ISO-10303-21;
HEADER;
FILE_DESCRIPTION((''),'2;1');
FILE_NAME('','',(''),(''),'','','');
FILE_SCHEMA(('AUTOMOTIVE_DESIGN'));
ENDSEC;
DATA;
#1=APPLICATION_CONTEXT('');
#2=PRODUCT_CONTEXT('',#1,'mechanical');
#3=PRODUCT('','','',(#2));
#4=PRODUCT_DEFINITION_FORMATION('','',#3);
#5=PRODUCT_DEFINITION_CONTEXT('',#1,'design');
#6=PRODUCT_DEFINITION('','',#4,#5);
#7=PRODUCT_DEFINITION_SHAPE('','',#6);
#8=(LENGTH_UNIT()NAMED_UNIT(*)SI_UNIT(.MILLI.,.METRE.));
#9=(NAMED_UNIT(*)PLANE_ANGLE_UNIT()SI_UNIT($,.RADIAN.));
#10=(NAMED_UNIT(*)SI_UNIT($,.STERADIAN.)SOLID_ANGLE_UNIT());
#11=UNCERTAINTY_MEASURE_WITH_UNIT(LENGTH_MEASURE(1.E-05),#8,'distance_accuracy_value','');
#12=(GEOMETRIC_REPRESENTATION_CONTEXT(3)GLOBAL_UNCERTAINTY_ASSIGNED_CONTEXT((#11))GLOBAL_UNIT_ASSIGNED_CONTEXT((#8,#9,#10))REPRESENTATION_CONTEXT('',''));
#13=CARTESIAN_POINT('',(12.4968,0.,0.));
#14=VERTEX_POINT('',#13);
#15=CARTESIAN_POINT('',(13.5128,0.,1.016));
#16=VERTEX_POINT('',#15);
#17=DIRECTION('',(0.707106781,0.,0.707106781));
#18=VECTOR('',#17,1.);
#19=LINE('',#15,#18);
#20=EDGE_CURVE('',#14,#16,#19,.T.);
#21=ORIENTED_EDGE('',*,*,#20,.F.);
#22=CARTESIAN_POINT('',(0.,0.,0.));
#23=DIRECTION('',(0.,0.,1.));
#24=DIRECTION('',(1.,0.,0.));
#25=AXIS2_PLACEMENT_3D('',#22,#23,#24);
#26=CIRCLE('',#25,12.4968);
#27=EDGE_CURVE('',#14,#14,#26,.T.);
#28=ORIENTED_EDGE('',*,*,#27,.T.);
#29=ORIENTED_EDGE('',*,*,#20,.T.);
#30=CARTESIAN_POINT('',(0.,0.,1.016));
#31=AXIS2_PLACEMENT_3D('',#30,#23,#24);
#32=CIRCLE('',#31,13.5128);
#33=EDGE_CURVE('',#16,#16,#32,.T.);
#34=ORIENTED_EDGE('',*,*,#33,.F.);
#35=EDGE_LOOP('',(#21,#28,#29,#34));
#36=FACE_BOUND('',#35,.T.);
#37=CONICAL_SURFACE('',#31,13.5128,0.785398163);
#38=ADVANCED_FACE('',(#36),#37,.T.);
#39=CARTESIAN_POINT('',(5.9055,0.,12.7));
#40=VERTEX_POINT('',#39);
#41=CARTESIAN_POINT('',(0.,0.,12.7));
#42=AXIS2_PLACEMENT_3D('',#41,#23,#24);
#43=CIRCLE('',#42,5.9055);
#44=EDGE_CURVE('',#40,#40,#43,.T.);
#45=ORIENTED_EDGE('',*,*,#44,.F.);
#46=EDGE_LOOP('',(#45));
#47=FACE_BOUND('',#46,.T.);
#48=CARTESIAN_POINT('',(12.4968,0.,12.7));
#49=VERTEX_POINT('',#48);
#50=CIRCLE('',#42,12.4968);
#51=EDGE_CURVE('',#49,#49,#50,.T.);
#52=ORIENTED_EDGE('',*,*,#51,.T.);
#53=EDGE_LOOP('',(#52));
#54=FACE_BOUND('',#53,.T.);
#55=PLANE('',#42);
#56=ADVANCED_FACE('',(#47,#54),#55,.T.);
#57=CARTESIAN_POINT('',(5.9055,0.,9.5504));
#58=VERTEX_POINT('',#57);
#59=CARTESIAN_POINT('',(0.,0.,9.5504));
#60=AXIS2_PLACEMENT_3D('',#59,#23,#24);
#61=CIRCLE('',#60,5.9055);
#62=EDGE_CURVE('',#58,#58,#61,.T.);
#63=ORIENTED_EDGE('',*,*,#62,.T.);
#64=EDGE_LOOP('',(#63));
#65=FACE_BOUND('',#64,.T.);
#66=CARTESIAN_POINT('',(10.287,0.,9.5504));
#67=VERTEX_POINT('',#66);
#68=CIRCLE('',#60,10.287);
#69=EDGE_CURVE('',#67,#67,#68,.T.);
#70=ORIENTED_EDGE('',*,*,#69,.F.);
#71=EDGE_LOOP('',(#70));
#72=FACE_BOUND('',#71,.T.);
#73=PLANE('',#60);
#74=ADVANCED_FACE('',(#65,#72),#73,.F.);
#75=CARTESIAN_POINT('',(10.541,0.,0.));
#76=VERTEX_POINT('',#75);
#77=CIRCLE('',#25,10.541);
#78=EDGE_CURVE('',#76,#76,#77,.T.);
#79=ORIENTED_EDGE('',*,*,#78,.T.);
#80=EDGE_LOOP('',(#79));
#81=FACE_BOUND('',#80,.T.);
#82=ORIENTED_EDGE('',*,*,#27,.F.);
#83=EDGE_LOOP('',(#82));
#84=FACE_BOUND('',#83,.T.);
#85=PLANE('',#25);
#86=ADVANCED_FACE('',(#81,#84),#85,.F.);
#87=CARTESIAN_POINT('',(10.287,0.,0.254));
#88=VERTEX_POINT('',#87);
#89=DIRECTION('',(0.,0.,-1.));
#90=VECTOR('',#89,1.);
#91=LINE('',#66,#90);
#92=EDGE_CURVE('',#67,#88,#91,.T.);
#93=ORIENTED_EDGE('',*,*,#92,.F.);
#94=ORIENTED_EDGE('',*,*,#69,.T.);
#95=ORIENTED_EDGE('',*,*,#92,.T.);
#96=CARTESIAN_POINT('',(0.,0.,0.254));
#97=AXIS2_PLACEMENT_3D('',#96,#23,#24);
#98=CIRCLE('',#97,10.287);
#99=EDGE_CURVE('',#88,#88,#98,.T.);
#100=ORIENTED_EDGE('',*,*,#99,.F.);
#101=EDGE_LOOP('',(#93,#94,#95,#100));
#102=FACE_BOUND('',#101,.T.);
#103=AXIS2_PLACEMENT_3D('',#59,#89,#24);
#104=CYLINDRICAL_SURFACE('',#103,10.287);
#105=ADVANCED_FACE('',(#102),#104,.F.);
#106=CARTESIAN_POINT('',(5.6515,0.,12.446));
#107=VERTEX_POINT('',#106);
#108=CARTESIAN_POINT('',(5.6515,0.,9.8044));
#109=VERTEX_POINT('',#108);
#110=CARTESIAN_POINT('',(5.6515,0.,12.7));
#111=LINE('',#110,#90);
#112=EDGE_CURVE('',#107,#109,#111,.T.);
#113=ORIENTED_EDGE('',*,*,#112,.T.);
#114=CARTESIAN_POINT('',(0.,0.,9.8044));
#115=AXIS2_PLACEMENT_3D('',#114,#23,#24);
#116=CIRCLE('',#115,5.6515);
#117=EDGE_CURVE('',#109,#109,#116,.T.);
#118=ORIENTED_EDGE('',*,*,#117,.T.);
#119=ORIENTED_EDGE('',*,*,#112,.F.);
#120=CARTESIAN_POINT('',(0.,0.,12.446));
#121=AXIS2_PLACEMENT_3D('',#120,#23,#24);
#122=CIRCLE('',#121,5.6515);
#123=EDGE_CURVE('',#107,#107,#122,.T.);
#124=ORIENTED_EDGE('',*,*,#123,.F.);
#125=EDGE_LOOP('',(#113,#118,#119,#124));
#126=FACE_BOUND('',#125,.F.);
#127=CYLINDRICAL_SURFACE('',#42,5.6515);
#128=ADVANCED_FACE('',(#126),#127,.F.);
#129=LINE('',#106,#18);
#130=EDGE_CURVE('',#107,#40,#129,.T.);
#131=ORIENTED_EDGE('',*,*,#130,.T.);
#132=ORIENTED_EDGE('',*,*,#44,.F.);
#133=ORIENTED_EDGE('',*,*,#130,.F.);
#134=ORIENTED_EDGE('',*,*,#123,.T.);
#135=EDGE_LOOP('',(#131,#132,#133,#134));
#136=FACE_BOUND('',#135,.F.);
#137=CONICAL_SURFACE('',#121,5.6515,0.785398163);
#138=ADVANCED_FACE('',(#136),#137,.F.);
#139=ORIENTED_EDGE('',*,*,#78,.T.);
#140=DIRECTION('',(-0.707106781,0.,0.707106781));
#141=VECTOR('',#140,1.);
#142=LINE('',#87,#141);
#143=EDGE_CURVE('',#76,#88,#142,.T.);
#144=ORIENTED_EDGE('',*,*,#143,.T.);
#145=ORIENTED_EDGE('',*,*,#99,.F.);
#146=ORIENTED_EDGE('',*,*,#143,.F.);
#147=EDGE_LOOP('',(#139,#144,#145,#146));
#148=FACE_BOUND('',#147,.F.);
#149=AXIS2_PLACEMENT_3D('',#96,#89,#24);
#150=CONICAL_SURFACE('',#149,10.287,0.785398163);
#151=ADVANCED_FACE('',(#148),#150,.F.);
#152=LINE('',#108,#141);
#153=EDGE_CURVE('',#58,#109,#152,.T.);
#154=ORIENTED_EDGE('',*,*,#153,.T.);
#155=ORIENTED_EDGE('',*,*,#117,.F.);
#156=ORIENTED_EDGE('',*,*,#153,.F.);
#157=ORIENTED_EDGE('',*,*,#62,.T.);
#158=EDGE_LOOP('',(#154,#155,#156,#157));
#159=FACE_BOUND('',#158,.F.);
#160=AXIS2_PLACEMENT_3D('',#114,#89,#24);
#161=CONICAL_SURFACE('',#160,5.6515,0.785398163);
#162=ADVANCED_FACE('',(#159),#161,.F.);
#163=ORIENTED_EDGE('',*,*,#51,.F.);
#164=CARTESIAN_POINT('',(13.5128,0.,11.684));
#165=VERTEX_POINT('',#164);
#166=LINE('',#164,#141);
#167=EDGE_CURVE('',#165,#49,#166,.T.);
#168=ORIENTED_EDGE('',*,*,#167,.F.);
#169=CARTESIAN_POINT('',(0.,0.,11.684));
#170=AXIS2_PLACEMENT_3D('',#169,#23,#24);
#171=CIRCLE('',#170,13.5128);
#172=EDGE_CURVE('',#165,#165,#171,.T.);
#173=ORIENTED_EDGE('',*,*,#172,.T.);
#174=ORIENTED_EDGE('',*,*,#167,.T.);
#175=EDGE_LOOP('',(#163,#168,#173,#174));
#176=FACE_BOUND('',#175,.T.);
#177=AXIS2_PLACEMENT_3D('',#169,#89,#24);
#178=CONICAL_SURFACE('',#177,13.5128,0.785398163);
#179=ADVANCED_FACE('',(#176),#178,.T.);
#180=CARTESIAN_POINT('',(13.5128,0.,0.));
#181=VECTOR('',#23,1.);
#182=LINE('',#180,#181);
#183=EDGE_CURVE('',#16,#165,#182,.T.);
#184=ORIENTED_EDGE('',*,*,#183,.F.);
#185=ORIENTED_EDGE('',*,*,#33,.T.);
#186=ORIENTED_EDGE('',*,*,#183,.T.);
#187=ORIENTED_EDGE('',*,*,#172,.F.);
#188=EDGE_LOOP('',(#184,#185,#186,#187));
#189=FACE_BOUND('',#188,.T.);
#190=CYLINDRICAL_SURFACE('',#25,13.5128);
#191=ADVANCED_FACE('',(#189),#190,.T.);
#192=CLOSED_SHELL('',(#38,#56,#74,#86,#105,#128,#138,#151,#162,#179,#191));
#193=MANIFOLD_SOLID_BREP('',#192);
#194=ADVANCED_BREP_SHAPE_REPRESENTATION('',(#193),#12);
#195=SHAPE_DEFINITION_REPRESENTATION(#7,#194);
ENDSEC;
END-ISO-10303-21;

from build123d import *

# Parameters (mm, degrees)
F2_SIZE  = 1.016
F3_R     = 5.6515
F4_DEPTH = 25.4
F5_SIZE  = 0.254


with BuildPart() as f1:
    # F0 (on Front) → F1 (revolve)
    with BuildSketch(Plane.XZ):
        Polygon((10.287, 9.5504), (10.287, 0), (13.5128, 0), (13.5128, 12.7), (0, 12.7), (0, 9.5504), align=None)
    revolve(axis=Axis((0, 0, 6.35), (0, 0, 1)))

    # F2
    f2_edges = [f1.edges().sort_by_distance(p)[0] for p in [
        (-13.5128, 0, 12.7),
        (-13.5128, 0, 0),
    ]]
    chamfer(f2_edges, length=F2_SIZE)

    # F3 (on face) → F4 (cut)
    with BuildSketch(Plane.XY.offset(12.7)):
        Circle(F3_R)
    extrude(amount=-F4_DEPTH, mode=Mode.SUBTRACT)

    # F5
    f5_edges = [f1.edges().sort_by_distance(p)[0] for p in [
        (-5.6515, 0, 12.7),
        (-5.6515, 0, 9.5504),
        (-10.287, 0, 0),
    ]]
    chamfer(f5_edges, length=F5_SIZE)


solid = f1.part
